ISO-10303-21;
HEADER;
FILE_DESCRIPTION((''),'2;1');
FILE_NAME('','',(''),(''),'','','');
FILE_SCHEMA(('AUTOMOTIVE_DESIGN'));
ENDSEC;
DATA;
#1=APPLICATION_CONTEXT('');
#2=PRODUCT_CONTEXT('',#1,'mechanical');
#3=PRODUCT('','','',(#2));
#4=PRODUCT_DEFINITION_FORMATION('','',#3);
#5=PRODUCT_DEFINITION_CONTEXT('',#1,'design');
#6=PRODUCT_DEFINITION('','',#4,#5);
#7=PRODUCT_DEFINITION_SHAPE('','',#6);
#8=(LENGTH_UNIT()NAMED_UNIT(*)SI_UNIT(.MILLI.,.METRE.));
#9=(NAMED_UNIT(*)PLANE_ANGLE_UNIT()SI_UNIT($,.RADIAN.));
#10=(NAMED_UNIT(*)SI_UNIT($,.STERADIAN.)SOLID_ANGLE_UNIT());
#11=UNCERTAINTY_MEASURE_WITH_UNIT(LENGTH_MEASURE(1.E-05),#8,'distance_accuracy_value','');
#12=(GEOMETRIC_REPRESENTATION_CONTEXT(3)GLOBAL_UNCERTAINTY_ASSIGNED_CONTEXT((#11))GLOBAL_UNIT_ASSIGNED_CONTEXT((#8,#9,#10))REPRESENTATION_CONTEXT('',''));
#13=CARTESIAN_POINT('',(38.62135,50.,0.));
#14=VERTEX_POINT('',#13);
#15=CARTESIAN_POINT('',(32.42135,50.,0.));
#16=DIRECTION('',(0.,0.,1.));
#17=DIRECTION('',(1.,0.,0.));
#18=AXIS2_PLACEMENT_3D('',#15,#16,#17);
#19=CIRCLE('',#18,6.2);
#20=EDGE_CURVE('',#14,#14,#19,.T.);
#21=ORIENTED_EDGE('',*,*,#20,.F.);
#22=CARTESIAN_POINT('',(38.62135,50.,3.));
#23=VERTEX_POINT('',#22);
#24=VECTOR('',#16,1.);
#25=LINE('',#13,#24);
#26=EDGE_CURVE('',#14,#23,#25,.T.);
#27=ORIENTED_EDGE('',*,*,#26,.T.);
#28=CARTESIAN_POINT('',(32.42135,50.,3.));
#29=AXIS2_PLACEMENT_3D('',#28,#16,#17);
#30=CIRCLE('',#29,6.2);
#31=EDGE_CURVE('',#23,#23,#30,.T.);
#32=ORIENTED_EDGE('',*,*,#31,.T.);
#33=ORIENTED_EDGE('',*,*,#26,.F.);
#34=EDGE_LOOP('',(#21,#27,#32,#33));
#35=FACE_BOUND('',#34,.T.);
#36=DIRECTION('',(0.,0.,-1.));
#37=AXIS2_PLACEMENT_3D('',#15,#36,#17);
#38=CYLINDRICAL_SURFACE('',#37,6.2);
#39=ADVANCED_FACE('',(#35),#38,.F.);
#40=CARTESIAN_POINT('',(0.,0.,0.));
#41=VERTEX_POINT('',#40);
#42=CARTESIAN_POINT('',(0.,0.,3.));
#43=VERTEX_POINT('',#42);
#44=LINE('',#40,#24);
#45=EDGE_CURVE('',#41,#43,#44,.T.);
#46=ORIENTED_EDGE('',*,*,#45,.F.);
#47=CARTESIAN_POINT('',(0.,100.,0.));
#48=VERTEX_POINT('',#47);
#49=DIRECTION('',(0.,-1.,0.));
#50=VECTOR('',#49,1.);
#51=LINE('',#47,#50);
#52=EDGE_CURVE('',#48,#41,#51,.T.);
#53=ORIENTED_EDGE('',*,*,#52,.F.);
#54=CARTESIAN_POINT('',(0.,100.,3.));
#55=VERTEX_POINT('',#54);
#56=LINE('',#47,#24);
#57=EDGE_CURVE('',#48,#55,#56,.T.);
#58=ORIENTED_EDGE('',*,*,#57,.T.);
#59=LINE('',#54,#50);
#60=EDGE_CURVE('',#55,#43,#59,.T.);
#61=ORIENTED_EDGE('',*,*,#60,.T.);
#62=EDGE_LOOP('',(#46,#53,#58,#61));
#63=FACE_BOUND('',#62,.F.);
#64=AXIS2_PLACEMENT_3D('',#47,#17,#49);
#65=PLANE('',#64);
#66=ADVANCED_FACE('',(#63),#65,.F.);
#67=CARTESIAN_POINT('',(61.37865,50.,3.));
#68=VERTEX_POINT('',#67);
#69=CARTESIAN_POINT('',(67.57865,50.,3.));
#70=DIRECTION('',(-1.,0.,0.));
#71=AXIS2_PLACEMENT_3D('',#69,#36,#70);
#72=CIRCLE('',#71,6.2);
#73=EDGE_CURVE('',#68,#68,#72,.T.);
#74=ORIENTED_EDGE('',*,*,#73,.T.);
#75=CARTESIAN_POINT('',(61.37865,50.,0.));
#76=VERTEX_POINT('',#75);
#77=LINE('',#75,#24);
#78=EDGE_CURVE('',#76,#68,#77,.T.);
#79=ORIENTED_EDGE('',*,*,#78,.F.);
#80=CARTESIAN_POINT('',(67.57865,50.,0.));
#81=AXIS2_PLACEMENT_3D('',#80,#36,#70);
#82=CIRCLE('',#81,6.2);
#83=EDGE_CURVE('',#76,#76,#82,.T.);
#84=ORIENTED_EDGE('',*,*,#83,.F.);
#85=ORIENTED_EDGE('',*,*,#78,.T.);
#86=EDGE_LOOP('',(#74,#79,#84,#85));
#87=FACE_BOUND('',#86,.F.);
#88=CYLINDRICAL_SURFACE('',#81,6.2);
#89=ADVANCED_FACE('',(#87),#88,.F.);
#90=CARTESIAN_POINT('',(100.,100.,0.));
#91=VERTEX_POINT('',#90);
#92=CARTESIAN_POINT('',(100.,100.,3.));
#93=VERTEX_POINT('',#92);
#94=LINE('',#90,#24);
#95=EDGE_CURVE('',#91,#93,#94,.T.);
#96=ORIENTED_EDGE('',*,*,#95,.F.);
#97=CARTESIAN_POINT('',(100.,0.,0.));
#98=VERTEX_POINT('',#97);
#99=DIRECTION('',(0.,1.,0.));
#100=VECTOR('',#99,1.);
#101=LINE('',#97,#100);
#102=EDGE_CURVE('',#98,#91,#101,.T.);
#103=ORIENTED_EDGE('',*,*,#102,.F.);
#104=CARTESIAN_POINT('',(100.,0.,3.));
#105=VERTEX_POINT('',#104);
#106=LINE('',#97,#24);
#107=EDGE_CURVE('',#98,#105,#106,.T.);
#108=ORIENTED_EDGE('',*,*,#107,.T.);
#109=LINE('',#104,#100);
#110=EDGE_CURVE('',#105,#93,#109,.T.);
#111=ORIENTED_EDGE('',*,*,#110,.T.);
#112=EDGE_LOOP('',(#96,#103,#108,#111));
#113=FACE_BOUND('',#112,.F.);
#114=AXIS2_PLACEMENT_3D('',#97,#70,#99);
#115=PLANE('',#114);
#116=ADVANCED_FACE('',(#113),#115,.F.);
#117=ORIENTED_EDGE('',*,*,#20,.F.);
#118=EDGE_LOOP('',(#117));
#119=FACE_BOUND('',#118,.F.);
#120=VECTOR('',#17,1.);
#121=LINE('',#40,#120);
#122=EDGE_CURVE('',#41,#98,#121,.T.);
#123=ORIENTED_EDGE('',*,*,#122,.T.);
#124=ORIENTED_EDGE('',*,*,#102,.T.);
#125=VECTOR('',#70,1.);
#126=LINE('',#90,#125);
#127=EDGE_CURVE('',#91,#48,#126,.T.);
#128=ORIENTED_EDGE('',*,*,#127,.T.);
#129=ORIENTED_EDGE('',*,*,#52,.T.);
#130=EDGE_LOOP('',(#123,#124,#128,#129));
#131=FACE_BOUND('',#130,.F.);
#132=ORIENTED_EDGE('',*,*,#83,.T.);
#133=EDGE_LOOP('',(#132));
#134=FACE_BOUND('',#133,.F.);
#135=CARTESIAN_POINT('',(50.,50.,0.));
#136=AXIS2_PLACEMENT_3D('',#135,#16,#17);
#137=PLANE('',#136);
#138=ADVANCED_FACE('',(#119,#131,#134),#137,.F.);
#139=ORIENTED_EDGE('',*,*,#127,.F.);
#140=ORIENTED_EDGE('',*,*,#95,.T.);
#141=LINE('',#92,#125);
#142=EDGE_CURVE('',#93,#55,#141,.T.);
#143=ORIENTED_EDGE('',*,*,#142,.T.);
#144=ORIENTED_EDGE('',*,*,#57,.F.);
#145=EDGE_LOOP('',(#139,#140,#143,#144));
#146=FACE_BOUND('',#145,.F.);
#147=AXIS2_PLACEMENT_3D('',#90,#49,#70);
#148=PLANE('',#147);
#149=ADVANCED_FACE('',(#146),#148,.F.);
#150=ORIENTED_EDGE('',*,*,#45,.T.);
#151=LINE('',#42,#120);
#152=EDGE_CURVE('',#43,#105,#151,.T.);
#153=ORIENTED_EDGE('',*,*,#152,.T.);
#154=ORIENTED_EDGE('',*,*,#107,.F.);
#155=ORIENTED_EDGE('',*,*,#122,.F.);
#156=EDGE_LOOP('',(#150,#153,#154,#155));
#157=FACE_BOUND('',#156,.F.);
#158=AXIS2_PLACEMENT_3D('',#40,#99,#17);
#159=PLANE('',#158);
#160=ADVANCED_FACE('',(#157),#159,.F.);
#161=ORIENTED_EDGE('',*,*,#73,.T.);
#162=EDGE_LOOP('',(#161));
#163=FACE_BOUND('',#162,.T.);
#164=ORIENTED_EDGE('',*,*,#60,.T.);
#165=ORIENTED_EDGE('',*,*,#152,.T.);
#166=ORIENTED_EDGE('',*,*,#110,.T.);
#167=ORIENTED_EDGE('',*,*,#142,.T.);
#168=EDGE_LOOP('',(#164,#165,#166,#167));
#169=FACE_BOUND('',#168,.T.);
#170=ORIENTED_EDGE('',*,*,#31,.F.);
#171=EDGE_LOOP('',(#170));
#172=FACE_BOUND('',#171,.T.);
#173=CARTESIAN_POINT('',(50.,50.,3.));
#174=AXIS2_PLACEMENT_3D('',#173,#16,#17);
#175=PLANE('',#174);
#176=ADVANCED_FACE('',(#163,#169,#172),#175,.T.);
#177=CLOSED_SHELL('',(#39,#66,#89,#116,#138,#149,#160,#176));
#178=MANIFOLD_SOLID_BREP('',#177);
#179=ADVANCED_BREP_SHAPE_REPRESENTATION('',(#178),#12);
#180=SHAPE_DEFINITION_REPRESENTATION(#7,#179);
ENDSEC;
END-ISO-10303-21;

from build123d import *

# Parameters (mm, degrees)
F0_R     = 6.2
F1_DEPTH = 3


with BuildPart() as f1:
    # F0 (on Top) → F1 (new body)
    with BuildSketch(Plane.XY):
        Polygon((0, 50), (0, 0), (50, 0), (100, 0), (100, 100), (0, 100), align=None)
        with Locations((32.42135, 50)):
            Circle(F0_R, mode=Mode.SUBTRACT)
        with BuildLine():
            ThreePointArc((73.77865, 50), (67.57865, 43.8), (61.37865, 50))
            ThreePointArc((61.37865, 50), (67.57865, 56.2), (73.77865, 50))
        make_face(mode=Mode.SUBTRACT)
    extrude(amount=F1_DEPTH)


solid = f1.part
